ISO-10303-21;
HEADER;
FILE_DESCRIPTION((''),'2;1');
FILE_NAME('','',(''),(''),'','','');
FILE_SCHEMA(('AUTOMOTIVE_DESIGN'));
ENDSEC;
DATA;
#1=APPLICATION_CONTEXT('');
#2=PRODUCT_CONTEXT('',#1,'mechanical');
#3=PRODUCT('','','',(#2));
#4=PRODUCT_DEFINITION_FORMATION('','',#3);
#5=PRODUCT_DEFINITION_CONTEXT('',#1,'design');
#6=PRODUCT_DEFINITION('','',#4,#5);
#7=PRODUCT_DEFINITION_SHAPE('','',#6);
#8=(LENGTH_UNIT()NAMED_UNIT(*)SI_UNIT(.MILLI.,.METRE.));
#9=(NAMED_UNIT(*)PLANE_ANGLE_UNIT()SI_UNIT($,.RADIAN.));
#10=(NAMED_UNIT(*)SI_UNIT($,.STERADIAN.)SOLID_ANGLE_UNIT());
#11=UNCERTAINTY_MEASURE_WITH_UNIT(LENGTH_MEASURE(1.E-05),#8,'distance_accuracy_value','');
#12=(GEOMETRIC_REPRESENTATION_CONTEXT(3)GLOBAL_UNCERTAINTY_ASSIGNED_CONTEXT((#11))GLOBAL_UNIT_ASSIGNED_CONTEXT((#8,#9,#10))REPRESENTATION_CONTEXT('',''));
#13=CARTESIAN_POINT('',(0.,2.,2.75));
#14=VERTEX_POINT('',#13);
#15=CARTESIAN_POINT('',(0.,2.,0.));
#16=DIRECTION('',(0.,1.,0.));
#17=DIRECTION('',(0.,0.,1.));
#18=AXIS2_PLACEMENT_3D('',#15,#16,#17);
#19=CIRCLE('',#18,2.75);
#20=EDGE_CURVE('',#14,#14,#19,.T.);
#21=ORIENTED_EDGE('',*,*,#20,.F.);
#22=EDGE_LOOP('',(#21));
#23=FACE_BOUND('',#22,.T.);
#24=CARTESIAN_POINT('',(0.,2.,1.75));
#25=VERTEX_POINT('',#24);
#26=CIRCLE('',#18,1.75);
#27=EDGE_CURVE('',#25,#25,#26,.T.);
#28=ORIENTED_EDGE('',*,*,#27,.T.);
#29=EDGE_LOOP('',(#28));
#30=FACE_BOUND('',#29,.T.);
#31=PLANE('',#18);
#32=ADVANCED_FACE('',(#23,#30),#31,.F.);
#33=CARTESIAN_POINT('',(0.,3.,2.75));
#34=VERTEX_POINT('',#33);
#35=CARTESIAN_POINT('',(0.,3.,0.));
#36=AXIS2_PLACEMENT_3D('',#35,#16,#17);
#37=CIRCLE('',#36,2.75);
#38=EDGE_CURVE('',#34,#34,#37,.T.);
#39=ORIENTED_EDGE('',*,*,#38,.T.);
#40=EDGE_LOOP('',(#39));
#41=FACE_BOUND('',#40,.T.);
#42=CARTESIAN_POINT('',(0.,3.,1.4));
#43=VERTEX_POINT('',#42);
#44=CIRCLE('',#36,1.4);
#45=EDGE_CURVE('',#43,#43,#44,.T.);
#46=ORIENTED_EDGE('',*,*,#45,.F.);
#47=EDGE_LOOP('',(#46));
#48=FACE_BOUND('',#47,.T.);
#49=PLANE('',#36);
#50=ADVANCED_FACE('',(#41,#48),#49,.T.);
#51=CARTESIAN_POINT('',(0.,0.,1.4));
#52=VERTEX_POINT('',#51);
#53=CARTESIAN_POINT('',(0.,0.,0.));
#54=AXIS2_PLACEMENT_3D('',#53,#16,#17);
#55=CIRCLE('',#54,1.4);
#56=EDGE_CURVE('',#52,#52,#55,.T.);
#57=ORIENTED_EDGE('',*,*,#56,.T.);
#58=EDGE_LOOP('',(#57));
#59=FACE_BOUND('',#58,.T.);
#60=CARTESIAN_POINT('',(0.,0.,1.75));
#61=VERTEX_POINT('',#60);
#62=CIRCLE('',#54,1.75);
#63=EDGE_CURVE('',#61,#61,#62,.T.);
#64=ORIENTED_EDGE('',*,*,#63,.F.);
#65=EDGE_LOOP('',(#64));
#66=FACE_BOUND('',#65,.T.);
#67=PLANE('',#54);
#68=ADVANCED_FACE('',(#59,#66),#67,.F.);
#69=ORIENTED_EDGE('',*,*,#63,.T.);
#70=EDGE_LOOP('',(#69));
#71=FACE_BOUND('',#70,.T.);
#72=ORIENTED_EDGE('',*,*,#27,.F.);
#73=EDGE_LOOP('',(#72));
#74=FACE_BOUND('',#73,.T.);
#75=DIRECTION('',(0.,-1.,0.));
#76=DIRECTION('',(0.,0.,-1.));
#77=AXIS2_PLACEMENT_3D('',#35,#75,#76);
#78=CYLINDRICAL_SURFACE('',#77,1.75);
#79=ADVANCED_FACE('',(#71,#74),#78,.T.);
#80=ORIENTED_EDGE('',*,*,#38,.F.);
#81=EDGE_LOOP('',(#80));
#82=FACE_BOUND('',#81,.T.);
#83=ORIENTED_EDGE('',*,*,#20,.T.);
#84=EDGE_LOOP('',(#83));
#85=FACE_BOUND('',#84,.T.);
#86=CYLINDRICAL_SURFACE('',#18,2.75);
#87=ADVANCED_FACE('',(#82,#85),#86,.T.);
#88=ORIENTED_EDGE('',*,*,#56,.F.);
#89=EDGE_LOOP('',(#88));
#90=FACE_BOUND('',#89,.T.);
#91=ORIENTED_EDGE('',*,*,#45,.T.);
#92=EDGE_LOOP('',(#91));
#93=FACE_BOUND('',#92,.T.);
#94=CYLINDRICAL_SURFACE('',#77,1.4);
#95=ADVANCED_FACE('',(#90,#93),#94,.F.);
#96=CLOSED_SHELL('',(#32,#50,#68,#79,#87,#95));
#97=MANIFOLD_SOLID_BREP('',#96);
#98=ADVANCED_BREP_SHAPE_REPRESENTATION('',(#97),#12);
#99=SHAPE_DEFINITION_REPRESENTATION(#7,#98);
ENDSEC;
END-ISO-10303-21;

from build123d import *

# Parameters (mm, degrees)
SKETCH_1_R      = 1.75
SKETCH_1_R_2    = 1.4
EXTRUDE_5_DEPTH = 3
EXTRUDE_START   = -1
SKETCH_6_R      = 2.75
SKETCH_6_R_2    = 1.75
EXTRUDE_6_DEPTH = 1


with BuildPart() as part:
    # 草图1 → 凸台-拉伸5 (new body)
    with BuildSketch(Plane(origin=(0, 0, 0), x_dir=(1, 0, 0), z_dir=(0, 1, 0))):
        with Locations(Location((0, 0, 0), (0, 0, 270))):
            Circle(SKETCH_1_R)
        with Locations(Location((0, 0, 0), (0, 0, 270))):
            Circle(SKETCH_1_R_2, mode=Mode.SUBTRACT)
    extrude(amount=EXTRUDE_5_DEPTH)

    # 草图6 → 凸台-拉伸6 (add)
    with BuildSketch(Plane(origin=(0, 3, 0), x_dir=(1, 0, 0), z_dir=(0, 1, 0)).offset(EXTRUDE_START)):
        with Locations(Location((0, 0, 0), (0, 0, 270))):
            Circle(SKETCH_6_R)
        with Locations(Location((0, 0, 0), (0, 0, 270))):
            Circle(SKETCH_6_R_2, mode=Mode.SUBTRACT)
    extrude(amount=EXTRUDE_6_DEPTH)


solid = part.part
